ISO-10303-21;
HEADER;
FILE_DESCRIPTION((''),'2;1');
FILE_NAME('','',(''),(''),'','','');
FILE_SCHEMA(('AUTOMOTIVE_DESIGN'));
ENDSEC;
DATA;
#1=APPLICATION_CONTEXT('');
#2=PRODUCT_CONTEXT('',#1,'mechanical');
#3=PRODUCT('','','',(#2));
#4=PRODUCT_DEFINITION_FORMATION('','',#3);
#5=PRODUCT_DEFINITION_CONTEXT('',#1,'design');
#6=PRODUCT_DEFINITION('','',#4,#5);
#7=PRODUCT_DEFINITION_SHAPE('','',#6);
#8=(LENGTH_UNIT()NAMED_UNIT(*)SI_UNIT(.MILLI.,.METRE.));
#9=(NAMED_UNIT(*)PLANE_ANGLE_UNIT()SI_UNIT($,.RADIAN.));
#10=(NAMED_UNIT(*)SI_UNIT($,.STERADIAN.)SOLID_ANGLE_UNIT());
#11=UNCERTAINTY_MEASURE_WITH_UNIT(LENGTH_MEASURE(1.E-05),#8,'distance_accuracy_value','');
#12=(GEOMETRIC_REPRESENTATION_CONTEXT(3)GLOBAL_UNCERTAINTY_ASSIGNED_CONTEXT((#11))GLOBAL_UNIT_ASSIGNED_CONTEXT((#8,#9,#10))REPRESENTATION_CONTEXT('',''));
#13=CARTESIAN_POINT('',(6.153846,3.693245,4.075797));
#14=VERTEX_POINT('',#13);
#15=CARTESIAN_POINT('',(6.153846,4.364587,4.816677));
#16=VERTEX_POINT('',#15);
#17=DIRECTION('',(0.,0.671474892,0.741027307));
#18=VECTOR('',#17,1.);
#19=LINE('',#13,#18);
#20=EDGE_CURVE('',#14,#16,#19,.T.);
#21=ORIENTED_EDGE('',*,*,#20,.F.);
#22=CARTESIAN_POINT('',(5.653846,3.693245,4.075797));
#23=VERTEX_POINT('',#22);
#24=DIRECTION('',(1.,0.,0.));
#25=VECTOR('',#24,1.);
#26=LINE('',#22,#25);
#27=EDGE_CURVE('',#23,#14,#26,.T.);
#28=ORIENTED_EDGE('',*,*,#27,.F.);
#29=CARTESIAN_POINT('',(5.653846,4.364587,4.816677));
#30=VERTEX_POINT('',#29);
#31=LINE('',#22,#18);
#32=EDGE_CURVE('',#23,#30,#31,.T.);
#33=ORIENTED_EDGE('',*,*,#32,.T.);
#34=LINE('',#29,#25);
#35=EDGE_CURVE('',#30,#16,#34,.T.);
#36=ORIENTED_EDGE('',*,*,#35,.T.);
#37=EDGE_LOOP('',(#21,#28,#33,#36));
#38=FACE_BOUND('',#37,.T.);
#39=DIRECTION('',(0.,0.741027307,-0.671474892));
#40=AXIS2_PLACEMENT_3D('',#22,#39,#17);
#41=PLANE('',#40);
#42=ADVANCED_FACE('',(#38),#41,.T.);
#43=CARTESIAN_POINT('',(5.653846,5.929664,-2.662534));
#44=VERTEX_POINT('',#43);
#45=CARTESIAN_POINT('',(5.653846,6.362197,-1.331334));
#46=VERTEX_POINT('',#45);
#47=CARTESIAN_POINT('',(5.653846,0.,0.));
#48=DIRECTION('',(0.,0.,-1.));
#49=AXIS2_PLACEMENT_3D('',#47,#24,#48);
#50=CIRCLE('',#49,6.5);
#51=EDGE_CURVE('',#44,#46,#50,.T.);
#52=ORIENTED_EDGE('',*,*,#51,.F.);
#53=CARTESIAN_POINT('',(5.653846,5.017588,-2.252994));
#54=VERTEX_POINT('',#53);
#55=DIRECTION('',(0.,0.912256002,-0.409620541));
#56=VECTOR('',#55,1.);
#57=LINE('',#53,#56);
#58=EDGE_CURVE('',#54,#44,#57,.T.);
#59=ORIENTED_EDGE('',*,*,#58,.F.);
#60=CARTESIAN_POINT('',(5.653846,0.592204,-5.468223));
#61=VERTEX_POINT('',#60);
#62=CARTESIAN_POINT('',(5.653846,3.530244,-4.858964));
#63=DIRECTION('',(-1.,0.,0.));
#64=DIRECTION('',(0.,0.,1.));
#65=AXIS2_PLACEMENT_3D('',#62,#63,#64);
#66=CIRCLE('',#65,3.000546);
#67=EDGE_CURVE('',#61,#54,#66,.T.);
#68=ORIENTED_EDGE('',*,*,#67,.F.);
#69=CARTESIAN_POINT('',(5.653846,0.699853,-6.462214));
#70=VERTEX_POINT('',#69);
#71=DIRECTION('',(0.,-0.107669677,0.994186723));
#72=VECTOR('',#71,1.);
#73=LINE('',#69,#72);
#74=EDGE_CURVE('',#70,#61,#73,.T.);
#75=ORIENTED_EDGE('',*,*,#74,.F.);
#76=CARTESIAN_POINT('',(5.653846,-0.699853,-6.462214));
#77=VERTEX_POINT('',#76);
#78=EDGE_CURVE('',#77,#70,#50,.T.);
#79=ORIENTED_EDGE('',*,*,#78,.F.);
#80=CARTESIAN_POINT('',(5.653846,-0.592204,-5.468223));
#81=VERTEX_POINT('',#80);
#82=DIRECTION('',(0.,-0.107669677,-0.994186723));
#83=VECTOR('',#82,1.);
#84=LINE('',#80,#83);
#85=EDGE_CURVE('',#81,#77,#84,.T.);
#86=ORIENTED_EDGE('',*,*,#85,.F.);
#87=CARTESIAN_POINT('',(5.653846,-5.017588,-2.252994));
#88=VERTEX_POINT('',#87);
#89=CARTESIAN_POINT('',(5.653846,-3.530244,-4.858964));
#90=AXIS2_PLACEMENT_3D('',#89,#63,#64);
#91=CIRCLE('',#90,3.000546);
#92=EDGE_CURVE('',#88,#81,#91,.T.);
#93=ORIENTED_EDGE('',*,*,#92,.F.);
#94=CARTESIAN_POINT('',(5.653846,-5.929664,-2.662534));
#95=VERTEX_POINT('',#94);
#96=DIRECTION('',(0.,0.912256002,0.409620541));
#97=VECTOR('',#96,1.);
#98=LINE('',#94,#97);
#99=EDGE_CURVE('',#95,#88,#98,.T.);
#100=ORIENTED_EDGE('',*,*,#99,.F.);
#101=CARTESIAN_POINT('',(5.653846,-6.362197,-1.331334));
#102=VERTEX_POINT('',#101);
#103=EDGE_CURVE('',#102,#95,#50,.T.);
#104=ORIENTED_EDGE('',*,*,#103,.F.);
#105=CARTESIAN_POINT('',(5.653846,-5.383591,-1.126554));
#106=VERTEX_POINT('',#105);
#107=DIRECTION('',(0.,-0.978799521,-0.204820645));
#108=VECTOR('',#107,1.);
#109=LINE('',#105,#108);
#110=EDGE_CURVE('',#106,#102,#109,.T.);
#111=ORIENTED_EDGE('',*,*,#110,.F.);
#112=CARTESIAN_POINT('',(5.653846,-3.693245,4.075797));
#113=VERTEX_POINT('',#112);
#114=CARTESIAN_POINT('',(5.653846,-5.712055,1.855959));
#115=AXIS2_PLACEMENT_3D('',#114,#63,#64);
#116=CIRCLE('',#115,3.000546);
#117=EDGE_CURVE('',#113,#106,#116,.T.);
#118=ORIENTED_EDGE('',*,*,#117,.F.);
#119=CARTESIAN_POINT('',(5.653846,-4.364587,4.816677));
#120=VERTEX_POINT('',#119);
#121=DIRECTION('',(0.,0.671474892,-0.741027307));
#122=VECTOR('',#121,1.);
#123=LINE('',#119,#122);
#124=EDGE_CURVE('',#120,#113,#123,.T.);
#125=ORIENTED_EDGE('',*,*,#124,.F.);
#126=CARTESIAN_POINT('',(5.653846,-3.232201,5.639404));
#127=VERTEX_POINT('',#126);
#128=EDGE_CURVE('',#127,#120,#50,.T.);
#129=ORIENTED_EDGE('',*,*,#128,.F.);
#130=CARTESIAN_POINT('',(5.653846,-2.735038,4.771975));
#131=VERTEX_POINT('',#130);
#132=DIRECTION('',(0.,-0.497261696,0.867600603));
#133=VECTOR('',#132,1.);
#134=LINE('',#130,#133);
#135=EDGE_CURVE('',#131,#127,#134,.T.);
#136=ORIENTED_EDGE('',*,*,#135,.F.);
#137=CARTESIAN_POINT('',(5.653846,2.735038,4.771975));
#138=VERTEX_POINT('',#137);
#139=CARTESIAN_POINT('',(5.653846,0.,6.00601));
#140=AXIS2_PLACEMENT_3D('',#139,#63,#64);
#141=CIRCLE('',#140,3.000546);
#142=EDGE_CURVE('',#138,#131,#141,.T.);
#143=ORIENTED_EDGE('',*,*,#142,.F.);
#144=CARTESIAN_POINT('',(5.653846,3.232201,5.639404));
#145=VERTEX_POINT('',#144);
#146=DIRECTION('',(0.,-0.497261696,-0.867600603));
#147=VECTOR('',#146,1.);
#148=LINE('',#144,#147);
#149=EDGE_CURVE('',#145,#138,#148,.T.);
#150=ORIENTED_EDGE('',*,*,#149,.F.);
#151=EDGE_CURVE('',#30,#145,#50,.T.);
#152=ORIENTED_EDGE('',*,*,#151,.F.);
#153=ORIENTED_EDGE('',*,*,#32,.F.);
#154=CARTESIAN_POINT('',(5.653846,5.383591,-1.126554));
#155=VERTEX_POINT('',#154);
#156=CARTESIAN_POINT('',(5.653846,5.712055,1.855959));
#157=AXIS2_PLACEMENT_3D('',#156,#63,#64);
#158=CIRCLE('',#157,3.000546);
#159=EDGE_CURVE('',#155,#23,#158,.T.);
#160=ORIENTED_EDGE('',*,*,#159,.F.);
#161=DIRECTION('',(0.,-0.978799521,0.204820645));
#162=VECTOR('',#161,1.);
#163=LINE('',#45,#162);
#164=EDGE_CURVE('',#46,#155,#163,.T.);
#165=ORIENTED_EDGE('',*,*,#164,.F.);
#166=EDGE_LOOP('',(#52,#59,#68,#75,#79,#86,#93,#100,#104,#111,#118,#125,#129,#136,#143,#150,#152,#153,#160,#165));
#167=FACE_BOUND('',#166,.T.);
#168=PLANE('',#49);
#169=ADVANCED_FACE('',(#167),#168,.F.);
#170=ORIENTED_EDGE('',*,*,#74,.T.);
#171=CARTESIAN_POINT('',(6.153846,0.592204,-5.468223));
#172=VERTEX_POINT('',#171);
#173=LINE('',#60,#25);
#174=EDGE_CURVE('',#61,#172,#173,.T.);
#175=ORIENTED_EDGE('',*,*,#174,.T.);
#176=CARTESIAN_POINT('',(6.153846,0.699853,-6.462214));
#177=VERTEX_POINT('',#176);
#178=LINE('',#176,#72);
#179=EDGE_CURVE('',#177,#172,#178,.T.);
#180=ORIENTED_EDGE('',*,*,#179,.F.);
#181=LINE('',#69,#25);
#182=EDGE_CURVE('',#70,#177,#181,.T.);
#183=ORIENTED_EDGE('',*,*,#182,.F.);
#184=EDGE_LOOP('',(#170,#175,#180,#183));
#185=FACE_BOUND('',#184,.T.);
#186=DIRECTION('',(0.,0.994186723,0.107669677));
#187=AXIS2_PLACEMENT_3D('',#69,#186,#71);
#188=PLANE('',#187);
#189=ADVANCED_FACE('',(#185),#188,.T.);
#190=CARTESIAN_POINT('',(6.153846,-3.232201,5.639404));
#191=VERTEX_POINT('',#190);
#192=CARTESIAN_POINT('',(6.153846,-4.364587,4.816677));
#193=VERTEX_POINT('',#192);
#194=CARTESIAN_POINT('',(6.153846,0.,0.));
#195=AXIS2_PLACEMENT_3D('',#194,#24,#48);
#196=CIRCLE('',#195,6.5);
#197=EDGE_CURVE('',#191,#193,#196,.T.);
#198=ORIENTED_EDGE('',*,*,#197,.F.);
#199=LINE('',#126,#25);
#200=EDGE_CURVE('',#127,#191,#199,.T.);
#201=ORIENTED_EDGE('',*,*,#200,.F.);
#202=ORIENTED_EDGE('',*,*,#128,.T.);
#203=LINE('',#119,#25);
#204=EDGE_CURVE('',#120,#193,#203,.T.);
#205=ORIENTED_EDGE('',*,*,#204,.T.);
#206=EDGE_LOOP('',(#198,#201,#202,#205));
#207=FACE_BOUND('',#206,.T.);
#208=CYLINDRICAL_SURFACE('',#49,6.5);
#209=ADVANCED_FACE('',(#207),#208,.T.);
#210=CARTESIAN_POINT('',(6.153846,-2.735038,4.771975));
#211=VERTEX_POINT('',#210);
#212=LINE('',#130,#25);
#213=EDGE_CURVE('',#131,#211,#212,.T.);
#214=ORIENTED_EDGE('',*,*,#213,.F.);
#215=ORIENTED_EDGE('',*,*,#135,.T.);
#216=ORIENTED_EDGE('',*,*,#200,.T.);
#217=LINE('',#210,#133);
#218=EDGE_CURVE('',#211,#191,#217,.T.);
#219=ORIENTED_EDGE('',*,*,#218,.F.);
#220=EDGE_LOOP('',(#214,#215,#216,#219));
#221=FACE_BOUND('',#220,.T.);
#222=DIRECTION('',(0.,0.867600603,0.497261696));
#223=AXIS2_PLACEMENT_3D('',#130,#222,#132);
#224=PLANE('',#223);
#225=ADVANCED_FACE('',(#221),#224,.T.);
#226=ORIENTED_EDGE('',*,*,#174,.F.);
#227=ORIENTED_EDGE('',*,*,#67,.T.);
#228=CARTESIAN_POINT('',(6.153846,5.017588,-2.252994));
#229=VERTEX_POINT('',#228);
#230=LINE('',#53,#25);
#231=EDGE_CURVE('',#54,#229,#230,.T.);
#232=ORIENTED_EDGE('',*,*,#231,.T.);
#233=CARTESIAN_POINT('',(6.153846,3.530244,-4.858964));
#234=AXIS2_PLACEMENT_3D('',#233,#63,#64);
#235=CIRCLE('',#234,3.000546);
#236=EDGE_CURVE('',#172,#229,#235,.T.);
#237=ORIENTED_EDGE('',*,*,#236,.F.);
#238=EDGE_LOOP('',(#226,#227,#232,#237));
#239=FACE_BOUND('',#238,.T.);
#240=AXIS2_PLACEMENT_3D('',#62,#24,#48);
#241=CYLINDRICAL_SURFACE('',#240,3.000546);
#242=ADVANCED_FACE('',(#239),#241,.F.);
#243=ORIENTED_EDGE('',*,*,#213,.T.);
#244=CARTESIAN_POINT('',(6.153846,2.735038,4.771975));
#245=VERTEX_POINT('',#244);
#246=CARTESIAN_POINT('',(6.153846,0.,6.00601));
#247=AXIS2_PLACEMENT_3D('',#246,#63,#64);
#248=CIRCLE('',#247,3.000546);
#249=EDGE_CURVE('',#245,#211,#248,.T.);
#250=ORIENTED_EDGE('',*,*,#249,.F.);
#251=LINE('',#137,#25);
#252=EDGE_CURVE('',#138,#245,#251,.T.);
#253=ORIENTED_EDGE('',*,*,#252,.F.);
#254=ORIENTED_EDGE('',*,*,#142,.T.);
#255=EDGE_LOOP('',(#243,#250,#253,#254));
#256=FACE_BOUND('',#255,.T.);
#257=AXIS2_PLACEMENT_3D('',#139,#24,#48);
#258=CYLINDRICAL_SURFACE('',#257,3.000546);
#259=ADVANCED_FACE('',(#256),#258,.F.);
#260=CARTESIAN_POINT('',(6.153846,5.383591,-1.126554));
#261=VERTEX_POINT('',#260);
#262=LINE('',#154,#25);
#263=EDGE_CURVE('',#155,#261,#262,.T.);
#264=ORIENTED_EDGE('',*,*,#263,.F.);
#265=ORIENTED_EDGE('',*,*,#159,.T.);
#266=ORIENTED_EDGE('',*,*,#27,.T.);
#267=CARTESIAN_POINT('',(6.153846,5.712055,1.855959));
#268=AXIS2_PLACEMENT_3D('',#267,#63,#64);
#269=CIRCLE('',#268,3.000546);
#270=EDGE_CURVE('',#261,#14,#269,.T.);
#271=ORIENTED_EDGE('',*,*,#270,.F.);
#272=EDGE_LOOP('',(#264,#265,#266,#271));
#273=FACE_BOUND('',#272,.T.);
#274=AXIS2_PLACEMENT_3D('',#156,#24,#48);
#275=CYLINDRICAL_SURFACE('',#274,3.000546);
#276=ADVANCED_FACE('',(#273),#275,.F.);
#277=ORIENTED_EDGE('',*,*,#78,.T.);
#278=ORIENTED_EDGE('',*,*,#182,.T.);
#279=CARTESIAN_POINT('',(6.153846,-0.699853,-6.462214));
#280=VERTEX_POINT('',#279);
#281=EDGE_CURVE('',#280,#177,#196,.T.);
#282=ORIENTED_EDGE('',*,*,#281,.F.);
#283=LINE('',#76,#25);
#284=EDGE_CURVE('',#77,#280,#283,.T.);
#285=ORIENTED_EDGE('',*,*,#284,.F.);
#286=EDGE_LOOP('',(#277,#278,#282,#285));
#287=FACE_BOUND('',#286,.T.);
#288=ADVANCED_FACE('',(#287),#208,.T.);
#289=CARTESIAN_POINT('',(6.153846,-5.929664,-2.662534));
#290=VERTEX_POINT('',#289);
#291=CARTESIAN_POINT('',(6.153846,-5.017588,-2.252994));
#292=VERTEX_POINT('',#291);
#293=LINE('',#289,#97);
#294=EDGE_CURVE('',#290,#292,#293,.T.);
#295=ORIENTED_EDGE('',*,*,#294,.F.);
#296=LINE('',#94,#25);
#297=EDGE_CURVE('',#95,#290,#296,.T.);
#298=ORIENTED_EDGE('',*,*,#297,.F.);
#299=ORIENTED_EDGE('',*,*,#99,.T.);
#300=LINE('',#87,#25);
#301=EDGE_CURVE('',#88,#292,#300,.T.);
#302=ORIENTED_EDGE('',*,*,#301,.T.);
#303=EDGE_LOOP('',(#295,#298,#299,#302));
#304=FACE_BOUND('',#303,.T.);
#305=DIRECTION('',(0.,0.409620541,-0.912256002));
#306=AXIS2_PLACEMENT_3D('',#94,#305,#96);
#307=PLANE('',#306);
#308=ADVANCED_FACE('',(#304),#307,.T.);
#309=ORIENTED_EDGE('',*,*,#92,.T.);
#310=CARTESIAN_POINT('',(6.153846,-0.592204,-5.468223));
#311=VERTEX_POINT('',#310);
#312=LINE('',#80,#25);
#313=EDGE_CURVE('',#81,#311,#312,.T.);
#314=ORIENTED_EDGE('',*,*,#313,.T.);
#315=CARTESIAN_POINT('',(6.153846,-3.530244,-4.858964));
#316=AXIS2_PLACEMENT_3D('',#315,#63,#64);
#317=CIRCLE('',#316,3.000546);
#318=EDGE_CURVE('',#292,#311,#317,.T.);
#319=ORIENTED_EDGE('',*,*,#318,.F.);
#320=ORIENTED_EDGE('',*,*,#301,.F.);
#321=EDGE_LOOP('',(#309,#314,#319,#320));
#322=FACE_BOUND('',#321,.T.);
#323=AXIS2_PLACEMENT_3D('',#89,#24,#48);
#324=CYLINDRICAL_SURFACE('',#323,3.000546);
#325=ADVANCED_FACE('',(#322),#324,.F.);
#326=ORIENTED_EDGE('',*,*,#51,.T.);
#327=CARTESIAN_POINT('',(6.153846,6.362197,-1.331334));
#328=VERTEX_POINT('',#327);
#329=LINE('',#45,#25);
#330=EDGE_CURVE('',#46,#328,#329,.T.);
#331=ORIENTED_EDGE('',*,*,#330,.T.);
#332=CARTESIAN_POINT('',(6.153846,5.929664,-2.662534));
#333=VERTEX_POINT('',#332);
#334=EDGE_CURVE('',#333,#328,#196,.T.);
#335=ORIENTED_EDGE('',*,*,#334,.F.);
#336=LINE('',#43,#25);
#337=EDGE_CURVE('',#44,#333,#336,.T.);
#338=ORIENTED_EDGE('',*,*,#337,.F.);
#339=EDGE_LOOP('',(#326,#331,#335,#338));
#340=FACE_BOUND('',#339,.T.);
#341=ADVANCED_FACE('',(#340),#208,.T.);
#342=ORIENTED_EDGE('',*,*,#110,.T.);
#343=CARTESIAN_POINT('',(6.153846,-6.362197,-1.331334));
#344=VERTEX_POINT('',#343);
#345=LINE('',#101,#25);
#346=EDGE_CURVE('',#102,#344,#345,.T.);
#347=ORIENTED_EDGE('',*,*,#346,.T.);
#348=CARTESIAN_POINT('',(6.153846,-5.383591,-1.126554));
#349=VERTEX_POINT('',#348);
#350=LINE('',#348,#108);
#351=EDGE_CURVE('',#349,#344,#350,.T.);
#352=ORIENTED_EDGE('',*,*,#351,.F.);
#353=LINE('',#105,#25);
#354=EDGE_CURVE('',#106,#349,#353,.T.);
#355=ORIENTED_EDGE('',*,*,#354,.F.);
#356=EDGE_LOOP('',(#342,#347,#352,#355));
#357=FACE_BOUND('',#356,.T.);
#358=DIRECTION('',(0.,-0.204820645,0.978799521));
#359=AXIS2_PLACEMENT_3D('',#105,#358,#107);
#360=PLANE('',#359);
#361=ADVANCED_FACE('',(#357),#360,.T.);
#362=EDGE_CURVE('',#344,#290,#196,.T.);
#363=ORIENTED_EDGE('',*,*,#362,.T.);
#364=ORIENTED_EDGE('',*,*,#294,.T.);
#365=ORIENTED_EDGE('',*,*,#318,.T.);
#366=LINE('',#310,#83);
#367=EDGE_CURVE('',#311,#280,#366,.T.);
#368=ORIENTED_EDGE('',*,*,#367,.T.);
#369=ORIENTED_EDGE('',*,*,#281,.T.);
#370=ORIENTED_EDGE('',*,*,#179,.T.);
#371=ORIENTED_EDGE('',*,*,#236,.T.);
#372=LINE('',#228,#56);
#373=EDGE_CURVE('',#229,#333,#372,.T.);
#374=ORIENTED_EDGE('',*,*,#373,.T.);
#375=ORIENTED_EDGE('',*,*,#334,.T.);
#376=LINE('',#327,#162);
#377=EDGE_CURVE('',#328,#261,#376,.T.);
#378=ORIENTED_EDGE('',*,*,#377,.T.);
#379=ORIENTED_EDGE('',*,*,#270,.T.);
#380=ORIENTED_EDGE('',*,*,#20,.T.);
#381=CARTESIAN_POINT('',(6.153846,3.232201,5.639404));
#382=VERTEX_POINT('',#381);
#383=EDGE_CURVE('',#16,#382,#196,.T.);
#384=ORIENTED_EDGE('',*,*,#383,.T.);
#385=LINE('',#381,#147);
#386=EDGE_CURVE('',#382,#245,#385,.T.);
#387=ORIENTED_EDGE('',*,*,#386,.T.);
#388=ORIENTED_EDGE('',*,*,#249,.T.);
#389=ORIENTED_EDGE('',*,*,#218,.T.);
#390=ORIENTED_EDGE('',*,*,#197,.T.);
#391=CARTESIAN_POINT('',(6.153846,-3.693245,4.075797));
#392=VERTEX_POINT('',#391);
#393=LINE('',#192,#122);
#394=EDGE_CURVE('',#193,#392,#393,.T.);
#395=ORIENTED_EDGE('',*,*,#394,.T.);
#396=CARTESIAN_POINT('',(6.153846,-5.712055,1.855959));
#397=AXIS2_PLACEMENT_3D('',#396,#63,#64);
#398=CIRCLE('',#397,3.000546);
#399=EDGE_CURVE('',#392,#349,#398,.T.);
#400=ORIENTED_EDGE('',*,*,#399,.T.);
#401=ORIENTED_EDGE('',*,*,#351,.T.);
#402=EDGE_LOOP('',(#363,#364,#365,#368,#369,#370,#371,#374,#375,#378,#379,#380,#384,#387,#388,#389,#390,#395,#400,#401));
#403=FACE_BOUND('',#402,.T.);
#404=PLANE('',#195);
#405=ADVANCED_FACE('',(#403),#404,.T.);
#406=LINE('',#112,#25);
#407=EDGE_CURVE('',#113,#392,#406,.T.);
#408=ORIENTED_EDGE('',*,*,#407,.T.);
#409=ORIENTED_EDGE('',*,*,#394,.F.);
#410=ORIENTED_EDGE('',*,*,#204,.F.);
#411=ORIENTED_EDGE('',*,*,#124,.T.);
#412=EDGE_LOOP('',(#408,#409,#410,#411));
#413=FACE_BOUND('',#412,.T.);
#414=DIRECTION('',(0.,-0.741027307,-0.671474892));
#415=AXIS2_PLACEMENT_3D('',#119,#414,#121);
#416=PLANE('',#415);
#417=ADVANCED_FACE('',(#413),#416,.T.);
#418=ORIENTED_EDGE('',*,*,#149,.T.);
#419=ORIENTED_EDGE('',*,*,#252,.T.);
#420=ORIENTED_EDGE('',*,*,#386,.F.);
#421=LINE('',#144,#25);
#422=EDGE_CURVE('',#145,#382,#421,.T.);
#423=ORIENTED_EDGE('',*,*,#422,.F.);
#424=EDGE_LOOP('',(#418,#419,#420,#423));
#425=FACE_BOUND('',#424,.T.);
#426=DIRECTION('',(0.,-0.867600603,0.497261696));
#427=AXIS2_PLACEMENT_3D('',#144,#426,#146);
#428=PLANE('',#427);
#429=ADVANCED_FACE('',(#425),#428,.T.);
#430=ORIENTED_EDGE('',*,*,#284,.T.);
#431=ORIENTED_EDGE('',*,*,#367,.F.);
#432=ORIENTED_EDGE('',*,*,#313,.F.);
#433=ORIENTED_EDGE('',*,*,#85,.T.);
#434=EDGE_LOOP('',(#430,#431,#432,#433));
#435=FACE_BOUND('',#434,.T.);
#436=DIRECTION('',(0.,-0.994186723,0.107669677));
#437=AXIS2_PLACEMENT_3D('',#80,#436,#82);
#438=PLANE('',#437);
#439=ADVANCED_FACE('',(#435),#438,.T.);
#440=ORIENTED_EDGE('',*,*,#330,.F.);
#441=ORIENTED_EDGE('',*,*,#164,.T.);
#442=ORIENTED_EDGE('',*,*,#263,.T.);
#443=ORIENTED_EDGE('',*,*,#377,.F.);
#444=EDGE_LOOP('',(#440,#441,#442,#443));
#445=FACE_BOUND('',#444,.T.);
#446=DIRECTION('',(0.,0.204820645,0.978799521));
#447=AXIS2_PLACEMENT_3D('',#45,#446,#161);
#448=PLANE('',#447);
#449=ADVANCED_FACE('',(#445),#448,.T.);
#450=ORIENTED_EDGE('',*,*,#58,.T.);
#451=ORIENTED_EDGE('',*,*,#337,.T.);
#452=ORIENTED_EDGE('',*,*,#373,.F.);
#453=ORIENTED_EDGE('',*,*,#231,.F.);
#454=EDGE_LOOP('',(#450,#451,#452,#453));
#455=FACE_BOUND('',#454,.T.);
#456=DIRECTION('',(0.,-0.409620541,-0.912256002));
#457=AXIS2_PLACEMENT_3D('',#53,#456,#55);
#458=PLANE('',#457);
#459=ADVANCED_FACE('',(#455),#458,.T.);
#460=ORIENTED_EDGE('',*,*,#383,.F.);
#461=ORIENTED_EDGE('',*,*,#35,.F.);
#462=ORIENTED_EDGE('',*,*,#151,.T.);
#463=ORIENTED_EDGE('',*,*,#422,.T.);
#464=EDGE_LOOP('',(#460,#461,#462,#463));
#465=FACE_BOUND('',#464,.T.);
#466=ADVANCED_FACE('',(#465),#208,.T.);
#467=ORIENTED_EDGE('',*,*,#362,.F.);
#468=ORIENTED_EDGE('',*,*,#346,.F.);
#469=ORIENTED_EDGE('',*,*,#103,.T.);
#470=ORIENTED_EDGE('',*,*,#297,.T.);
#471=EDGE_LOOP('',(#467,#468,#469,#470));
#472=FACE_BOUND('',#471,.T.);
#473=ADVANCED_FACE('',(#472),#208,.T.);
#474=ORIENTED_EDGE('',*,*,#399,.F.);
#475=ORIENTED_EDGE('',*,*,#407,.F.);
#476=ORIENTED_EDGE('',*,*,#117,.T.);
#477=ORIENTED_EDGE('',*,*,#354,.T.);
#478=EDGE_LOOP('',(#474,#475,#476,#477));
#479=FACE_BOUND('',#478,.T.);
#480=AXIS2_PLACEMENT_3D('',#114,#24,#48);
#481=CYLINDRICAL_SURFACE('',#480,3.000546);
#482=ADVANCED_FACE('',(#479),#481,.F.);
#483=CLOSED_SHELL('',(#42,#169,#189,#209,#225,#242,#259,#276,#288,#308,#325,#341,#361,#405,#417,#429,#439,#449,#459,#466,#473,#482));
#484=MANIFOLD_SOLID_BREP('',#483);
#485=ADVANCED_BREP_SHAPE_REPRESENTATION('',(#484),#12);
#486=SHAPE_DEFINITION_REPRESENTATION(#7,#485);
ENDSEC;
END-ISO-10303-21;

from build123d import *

# Parameters (mm, degrees)
ESTRUSIONE_ESTRUSIONE1_DEPTH = 0.5


with BuildPart() as part:
    # Schizzo1 → Estrusione-Estrusione1 (new body)
    with BuildSketch(Plane(origin=(6.153846154, 0, 0), x_dir=(0, 0, -1), z_dir=(1, 0, 0))):
        with BuildLine():
            Line((-4.816677492, -4.3645868), (-4.075796555, -3.693244539))
            ThreePointArc((-4.075796555, -3.693244539), (-0.928739601, -2.858366579), (1.126554006, -5.383590703))
            Line((1.126554006, -5.383590703), (1.331334195, -6.36219689))
            ThreePointArc((1.331334195, -6.36219689), (2.008610463, -6.181867356), (2.662533515, -5.929664011))
            Line((2.662533515, -5.929664011), (2.252993884, -5.0175882))
            ThreePointArc((2.252993884, -5.0175882), (2.431471841, -1.766567698), (5.468223352, -0.59220449))
            Line((5.468223352, -0.59220449), (6.462213701, -0.699852899))
            ThreePointArc((6.462213701, -0.699852899), (6.5, 0), (6.462213701, 0.699852899))
            Line((6.462213701, 0.699852899), (5.468223352, 0.59220449))
            ThreePointArc((5.468223352, 0.59220449), (2.431471841, 1.766567698), (2.252993884, 5.0175882))
            Line((2.252993884, 5.0175882), (2.662533515, 5.929664011))
            ThreePointArc((2.662533515, 5.929664011), (2.008610463, 6.181867356), (1.331334195, 6.36219689))
            Line((1.331334195, 6.36219689), (1.126554006, 5.383590703))
            ThreePointArc((1.126554006, 5.383590703), (-0.928739601, 2.858366579), (-4.075796555, 3.693244539))
            Line((-4.075796555, 3.693244539), (-4.816677492, 4.3645868))
            ThreePointArc((-4.816677492, 4.3645868), (-5.258610463, 3.82060414), (-5.639403919, 3.232201022))
            Line((-5.639403919, 3.232201022), (-4.771974686, 2.735037546))
            ThreePointArc((-4.771974686, 2.735037546), (-3.005464481, 0), (-4.771974686, -2.735037546))
            Line((-4.771974686, -2.735037546), (-5.639403919, -3.232201022))
            ThreePointArc((-5.639403919, -3.232201022), (-5.258610463, -3.82060414), (-4.816677492, -4.3645868))
        make_face()
    extrude(amount=-ESTRUSIONE_ESTRUSIONE1_DEPTH)


solid = part.part
